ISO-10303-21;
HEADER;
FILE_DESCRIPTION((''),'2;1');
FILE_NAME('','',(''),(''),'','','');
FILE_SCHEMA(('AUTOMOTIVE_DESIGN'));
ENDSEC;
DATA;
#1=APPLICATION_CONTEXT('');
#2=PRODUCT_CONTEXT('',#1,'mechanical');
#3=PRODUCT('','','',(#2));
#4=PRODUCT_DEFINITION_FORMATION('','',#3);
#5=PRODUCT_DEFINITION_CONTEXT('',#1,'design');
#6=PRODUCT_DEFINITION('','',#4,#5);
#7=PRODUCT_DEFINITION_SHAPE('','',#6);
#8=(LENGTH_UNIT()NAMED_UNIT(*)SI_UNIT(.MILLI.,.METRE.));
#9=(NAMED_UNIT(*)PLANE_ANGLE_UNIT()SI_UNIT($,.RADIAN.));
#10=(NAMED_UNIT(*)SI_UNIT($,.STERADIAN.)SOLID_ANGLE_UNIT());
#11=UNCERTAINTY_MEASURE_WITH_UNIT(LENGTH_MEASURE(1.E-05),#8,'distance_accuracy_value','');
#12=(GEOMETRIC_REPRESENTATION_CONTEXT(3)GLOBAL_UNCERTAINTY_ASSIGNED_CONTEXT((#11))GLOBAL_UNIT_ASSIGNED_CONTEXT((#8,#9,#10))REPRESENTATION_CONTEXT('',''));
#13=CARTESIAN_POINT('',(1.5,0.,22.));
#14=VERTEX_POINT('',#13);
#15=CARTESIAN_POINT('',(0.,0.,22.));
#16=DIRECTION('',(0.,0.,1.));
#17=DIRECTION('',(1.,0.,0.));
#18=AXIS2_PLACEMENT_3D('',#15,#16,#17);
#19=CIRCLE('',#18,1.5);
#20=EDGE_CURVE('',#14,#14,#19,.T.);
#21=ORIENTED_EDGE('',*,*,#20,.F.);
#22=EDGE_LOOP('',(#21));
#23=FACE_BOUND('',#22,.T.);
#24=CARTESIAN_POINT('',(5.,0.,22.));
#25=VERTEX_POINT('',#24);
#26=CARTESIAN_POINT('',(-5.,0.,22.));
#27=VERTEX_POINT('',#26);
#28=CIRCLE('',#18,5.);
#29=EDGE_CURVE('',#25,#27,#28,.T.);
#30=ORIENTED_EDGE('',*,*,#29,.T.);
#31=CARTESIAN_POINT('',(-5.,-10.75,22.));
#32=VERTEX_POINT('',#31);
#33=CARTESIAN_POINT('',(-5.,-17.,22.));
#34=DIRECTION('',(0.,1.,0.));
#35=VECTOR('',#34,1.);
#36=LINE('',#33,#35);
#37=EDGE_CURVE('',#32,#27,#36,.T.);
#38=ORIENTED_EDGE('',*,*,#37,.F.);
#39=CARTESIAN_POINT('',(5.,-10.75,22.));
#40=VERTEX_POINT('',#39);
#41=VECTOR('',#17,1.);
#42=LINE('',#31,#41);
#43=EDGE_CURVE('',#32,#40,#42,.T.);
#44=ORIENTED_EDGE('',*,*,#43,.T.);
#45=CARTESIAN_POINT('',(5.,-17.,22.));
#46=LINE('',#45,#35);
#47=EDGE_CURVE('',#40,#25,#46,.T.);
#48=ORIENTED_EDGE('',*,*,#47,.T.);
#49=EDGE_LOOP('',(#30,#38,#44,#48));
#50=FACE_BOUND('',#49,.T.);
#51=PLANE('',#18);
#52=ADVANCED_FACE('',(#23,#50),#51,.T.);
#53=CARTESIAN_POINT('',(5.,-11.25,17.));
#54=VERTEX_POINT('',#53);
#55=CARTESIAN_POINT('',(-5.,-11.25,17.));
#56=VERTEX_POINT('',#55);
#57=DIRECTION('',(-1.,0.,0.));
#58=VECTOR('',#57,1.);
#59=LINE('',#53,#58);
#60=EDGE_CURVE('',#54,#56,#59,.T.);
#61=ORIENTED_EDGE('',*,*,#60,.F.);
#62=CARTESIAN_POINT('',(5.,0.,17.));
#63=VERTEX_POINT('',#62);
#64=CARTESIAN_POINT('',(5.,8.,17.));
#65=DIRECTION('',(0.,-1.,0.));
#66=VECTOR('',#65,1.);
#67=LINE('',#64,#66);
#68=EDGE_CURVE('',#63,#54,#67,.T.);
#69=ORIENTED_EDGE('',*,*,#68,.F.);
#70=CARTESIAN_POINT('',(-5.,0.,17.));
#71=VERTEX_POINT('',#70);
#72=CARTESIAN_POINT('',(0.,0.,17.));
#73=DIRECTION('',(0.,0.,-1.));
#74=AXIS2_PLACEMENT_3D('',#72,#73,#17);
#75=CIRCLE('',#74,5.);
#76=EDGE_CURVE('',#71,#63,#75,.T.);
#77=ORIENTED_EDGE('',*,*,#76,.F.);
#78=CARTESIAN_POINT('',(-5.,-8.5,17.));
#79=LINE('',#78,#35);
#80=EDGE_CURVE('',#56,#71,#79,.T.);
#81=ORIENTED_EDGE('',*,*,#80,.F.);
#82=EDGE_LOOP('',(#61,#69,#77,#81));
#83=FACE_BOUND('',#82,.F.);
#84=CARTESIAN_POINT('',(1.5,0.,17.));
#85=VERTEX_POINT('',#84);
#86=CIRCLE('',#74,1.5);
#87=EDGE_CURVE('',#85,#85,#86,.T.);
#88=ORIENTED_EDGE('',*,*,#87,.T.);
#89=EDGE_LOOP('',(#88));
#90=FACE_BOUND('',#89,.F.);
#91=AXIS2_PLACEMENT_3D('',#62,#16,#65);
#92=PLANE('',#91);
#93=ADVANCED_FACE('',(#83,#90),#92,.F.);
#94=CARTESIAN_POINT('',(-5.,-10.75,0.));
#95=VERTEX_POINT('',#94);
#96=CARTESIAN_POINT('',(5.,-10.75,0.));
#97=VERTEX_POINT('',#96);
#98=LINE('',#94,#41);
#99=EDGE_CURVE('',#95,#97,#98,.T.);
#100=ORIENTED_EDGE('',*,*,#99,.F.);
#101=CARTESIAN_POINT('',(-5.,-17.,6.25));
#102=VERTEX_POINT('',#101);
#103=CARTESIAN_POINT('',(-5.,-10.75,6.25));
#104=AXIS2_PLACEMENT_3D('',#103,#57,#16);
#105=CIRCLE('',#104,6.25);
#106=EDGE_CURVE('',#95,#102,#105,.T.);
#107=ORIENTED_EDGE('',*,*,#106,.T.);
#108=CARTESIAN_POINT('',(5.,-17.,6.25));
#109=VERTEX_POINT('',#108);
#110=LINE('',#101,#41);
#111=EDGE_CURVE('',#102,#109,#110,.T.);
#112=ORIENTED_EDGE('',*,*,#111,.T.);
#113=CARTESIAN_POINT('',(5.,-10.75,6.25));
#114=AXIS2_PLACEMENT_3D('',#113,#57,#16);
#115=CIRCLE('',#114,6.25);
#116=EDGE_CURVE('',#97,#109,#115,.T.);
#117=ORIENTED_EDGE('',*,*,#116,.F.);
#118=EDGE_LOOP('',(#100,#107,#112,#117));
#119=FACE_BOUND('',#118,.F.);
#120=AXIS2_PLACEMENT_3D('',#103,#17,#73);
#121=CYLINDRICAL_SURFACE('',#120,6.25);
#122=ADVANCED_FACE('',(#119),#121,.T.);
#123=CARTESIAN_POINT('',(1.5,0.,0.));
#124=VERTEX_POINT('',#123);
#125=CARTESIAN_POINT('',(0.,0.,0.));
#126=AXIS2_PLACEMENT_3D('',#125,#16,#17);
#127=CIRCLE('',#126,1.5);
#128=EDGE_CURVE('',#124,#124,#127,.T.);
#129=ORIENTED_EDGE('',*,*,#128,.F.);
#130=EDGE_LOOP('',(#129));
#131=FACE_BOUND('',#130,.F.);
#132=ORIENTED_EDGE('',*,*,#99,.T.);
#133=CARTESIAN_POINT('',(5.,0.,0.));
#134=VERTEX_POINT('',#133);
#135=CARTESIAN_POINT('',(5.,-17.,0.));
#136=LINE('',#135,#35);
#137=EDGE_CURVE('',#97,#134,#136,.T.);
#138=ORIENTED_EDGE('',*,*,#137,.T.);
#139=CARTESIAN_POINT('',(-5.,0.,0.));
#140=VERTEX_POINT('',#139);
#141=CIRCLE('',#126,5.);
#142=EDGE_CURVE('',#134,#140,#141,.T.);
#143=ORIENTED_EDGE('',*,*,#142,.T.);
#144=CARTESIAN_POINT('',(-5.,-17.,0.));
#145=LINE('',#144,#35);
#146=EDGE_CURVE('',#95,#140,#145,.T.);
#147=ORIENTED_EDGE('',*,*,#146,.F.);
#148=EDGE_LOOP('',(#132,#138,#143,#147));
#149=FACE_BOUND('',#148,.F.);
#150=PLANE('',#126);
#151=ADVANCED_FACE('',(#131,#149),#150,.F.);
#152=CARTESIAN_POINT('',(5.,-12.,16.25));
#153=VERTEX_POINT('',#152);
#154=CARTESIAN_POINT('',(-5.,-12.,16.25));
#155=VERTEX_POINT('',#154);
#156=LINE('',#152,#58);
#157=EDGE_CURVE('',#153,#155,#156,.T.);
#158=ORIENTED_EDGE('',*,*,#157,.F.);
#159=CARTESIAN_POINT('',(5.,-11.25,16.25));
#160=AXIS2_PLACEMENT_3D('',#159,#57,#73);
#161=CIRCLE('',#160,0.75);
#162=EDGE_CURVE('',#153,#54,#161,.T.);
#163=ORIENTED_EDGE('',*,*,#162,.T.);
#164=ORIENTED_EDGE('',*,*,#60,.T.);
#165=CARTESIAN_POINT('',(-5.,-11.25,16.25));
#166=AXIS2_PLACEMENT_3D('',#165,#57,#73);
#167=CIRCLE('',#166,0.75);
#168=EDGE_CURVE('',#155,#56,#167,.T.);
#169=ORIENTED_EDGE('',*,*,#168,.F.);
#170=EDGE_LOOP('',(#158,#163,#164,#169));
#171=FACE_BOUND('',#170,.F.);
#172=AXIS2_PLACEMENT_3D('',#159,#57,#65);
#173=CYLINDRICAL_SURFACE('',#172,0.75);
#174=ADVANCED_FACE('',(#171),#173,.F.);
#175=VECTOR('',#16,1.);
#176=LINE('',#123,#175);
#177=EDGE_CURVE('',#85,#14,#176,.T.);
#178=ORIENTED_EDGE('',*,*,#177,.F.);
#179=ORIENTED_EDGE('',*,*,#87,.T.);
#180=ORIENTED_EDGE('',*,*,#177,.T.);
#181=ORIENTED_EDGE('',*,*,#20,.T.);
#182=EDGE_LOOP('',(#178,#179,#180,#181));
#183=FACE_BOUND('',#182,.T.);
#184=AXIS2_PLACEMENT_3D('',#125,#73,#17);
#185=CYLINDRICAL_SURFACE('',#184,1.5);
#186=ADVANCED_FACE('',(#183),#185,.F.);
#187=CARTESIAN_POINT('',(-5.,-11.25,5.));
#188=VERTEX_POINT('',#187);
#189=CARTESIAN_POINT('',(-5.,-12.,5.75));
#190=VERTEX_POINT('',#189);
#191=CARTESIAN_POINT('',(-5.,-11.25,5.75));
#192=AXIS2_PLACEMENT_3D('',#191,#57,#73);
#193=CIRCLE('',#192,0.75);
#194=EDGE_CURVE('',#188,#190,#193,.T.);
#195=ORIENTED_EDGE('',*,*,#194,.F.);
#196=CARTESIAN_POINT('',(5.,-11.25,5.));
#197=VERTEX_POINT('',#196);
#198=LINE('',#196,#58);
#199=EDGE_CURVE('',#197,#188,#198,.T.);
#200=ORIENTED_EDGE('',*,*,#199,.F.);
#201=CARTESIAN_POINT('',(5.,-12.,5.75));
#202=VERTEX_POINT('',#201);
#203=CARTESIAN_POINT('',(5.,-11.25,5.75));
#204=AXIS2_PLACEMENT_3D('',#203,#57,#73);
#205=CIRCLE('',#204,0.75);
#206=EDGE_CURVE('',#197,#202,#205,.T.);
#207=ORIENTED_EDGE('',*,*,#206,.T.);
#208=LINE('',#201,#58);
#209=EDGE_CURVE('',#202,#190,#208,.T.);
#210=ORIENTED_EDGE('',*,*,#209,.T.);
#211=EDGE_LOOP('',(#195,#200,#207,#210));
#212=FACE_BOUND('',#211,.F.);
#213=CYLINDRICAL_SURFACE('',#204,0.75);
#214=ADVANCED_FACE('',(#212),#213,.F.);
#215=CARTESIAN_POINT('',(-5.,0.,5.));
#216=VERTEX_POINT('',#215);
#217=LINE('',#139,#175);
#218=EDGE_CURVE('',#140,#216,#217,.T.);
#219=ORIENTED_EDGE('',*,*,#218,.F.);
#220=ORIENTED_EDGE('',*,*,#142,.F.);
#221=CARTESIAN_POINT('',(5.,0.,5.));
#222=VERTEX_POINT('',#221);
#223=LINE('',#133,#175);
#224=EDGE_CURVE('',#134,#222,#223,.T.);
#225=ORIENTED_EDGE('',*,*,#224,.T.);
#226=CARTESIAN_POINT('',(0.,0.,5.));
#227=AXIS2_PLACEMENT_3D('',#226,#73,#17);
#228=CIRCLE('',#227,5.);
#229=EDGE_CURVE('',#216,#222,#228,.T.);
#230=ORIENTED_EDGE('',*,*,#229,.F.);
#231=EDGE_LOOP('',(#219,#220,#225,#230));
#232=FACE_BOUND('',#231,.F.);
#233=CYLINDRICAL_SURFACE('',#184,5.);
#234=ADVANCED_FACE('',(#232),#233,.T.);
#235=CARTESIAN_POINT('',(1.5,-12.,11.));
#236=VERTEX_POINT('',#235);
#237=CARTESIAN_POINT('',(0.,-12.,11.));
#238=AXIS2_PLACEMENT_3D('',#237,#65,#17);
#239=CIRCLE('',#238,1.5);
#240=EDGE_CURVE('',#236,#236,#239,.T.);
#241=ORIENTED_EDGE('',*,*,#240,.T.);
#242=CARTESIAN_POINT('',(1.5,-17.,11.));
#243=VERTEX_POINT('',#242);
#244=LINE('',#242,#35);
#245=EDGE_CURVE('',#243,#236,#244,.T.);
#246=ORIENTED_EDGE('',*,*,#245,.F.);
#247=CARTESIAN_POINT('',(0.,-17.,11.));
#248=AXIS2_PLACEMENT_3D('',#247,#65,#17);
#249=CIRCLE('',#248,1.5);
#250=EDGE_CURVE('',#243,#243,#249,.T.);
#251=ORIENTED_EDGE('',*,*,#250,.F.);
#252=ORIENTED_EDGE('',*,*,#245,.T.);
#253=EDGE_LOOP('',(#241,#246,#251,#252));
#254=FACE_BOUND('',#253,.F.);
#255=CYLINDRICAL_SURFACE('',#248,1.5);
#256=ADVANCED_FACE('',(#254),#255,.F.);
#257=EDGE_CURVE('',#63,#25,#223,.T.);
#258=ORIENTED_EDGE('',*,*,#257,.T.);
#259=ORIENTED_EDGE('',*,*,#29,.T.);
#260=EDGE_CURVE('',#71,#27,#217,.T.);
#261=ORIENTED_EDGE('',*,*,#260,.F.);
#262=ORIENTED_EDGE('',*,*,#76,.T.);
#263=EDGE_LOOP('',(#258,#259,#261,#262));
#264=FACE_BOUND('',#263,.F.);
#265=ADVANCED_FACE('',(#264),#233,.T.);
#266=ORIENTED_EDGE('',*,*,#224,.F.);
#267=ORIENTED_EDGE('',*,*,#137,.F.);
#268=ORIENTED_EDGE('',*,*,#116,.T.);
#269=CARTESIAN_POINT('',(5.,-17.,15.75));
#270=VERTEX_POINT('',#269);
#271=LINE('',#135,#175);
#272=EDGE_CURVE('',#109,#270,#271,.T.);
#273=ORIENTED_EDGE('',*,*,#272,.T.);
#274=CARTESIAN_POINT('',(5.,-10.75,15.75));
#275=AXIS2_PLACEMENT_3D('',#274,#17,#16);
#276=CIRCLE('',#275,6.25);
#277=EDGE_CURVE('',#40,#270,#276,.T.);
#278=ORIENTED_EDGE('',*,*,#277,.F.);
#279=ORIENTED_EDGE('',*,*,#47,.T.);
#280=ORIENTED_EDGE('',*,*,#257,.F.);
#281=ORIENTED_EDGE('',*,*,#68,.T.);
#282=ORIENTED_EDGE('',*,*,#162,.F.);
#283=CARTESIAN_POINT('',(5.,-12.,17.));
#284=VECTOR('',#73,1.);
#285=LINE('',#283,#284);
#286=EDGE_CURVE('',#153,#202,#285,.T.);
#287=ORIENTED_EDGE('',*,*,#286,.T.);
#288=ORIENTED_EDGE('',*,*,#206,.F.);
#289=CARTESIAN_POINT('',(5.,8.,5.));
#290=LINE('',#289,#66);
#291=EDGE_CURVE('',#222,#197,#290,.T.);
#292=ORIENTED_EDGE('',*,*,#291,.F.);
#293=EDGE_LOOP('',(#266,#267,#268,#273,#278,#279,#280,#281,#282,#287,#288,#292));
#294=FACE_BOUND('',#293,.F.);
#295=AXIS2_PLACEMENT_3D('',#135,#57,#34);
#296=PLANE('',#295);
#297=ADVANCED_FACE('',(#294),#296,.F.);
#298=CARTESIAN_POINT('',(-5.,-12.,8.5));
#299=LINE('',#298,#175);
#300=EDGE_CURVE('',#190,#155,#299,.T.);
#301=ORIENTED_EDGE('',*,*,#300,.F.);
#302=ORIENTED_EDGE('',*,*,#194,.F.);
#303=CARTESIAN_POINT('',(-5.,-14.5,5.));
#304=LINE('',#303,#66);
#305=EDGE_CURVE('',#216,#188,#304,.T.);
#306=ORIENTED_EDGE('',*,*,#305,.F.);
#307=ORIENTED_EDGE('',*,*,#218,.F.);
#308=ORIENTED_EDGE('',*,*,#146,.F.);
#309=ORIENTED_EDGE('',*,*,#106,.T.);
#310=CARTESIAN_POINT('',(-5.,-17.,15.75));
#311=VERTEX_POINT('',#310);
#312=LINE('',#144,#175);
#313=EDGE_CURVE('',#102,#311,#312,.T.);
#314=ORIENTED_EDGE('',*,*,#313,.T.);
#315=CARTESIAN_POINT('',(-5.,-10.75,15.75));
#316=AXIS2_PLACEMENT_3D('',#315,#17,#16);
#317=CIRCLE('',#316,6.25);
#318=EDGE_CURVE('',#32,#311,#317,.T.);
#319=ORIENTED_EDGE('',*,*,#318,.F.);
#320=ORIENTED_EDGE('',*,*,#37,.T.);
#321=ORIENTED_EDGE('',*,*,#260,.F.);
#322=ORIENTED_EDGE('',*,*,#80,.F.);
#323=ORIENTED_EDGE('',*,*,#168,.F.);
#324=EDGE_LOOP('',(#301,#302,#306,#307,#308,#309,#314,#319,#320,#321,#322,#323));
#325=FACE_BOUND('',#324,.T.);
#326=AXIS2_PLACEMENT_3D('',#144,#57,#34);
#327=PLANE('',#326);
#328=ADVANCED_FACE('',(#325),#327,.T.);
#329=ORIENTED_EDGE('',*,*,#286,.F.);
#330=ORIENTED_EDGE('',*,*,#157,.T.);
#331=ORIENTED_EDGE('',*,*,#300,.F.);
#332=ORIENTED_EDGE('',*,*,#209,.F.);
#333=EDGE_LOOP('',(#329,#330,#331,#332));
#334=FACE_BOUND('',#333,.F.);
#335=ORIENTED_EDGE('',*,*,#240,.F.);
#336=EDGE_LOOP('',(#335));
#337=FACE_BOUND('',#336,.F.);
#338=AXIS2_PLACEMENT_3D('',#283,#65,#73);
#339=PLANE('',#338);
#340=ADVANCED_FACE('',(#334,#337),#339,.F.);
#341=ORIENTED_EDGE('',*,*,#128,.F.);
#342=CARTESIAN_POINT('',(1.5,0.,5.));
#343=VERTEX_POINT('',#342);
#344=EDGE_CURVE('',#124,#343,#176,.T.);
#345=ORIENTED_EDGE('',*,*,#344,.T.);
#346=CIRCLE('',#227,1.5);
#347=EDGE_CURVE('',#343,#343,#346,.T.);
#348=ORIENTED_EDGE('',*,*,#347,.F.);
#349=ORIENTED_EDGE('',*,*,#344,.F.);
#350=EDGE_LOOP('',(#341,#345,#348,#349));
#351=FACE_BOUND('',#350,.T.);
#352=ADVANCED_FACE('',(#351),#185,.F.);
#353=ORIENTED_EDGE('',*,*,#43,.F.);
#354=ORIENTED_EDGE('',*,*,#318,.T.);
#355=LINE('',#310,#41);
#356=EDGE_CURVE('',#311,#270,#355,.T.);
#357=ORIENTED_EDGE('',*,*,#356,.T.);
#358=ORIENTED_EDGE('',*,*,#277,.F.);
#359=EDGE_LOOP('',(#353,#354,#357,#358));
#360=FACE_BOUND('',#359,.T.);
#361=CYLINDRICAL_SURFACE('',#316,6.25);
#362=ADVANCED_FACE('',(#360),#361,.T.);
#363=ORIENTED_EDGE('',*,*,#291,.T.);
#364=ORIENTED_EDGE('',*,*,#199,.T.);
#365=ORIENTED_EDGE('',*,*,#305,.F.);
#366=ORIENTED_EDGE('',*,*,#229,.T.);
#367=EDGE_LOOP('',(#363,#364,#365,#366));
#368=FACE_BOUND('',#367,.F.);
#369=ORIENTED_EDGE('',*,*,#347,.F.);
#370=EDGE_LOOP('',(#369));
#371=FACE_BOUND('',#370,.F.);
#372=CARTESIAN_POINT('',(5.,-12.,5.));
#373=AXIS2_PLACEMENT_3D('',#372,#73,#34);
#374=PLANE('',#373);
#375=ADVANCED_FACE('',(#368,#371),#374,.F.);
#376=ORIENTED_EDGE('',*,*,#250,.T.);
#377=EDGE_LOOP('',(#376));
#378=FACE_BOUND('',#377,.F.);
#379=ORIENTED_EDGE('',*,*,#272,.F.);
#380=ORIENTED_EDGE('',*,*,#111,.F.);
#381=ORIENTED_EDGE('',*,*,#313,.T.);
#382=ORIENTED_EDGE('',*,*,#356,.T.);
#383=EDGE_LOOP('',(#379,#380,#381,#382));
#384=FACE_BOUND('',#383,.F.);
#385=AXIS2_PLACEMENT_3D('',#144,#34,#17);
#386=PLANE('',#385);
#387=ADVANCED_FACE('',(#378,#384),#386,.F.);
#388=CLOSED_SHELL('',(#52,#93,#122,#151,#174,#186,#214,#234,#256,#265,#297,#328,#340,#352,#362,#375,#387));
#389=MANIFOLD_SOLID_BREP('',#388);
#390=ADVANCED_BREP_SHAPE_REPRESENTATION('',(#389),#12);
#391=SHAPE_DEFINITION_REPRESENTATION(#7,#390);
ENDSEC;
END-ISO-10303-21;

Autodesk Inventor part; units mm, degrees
ref_plane "YZ Plane" through (0, 0, 0) normal (1, 0, 0) x (0, 1, 0)
ref_plane "XZ Plane" through (0, 0, 0) normal (0, 1, 0) x (-1, 0, 0)
ref_plane "XY Plane" through (0, 0, 0) normal (0, 0, 1) x (1, 0, 0)
sketch "Sketch1" plane through (0, 0, 0) normal (0, 0, 1) x (1, 0, 0)
  arc A0 (5, 0) -> (-5, 0) centre (0, 0) ccw
  line L0 (-5, -17) -> (5, -17)
  line L1 (5, -17) -> (5, 0)
  line L2 (-5, -17) -> (-5, 0)
  circle A1 centre (0, 0) radius 1.5
  dimension "d0" = 3
  dimension "d1" = 5
  dimension "d2" = 17
extrude "Extrusion1" add sketch "Sketch1" along normal blind 22
sketch "Sketch2" plane through (5, -17, 0) normal (1, 0, 0) x (0, 0, -1)
  line L0 (0, 17) -> (0, 17) projected
  line L1 (0, 17) -> (-22, 17) projected
  line L2 (-22, 17) -> (-22, 17) projected
  line L3 (0, 17) -> (-22, 17) projected
  line L4 (0, 0) -> (0, 17) projected
  line L5 (0, 17) -> (-22, 17) projected
  line L6 (-22, 0) -> (-22, 17) projected
  line L7 (0, 0) -> (-22, 0) projected
  line L8 (-17, 5) -> (-5, 5)
  line L9 (-5, 5) -> (-5, 25)
  line L10 (-5, 25) -> (-17, 25)
  line L11 (-17, 25) -> (-17, 5)
  dimension "d5" = 5
  dimension "d6" = 5
  dimension "d7" = 5
  dimension "d8" = 20
extrude "Extrusion2" cut sketch "Sketch2" against normal blind 22 contours L9 L8 L11 L1 | L1 L11 L10 L9
sketch "Sketch3" plane through (-5, -17, 0) normal (0, -1, 0) x (1, 0, 0)
  line L0 (0, 0) -> (10, 0) projected
  line L1 (10, 0) -> (10, 22) projected
  line L2 (0, 22) -> (10, 22) projected
  line L3 (0, 0) -> (0, 22) projected
  circle A0 centre (5, 11) radius 1.5
  point P0 (5, 0)
  dimension "d11" = 22
  dimension "d12" = 10
  dimension "d13" = 3
  dimension "d14" = 5
  dimension "d15" = 11
extrude "Extrusion3" cut sketch "Sketch3" against normal blind 6 contours A0
fillet "Fillet1" radius 6.25 2 edges at (0, -17, 22) (0, -17, 0)
fillet "Fillet2" radius 0.75 2 edges at (0, -12, 17) (0, -12, 5)
equation "\"d14\" = 0.5 * d12"
equation "\"d15\" = 0.5 * d11"
properties part number "PulleyHolder"
